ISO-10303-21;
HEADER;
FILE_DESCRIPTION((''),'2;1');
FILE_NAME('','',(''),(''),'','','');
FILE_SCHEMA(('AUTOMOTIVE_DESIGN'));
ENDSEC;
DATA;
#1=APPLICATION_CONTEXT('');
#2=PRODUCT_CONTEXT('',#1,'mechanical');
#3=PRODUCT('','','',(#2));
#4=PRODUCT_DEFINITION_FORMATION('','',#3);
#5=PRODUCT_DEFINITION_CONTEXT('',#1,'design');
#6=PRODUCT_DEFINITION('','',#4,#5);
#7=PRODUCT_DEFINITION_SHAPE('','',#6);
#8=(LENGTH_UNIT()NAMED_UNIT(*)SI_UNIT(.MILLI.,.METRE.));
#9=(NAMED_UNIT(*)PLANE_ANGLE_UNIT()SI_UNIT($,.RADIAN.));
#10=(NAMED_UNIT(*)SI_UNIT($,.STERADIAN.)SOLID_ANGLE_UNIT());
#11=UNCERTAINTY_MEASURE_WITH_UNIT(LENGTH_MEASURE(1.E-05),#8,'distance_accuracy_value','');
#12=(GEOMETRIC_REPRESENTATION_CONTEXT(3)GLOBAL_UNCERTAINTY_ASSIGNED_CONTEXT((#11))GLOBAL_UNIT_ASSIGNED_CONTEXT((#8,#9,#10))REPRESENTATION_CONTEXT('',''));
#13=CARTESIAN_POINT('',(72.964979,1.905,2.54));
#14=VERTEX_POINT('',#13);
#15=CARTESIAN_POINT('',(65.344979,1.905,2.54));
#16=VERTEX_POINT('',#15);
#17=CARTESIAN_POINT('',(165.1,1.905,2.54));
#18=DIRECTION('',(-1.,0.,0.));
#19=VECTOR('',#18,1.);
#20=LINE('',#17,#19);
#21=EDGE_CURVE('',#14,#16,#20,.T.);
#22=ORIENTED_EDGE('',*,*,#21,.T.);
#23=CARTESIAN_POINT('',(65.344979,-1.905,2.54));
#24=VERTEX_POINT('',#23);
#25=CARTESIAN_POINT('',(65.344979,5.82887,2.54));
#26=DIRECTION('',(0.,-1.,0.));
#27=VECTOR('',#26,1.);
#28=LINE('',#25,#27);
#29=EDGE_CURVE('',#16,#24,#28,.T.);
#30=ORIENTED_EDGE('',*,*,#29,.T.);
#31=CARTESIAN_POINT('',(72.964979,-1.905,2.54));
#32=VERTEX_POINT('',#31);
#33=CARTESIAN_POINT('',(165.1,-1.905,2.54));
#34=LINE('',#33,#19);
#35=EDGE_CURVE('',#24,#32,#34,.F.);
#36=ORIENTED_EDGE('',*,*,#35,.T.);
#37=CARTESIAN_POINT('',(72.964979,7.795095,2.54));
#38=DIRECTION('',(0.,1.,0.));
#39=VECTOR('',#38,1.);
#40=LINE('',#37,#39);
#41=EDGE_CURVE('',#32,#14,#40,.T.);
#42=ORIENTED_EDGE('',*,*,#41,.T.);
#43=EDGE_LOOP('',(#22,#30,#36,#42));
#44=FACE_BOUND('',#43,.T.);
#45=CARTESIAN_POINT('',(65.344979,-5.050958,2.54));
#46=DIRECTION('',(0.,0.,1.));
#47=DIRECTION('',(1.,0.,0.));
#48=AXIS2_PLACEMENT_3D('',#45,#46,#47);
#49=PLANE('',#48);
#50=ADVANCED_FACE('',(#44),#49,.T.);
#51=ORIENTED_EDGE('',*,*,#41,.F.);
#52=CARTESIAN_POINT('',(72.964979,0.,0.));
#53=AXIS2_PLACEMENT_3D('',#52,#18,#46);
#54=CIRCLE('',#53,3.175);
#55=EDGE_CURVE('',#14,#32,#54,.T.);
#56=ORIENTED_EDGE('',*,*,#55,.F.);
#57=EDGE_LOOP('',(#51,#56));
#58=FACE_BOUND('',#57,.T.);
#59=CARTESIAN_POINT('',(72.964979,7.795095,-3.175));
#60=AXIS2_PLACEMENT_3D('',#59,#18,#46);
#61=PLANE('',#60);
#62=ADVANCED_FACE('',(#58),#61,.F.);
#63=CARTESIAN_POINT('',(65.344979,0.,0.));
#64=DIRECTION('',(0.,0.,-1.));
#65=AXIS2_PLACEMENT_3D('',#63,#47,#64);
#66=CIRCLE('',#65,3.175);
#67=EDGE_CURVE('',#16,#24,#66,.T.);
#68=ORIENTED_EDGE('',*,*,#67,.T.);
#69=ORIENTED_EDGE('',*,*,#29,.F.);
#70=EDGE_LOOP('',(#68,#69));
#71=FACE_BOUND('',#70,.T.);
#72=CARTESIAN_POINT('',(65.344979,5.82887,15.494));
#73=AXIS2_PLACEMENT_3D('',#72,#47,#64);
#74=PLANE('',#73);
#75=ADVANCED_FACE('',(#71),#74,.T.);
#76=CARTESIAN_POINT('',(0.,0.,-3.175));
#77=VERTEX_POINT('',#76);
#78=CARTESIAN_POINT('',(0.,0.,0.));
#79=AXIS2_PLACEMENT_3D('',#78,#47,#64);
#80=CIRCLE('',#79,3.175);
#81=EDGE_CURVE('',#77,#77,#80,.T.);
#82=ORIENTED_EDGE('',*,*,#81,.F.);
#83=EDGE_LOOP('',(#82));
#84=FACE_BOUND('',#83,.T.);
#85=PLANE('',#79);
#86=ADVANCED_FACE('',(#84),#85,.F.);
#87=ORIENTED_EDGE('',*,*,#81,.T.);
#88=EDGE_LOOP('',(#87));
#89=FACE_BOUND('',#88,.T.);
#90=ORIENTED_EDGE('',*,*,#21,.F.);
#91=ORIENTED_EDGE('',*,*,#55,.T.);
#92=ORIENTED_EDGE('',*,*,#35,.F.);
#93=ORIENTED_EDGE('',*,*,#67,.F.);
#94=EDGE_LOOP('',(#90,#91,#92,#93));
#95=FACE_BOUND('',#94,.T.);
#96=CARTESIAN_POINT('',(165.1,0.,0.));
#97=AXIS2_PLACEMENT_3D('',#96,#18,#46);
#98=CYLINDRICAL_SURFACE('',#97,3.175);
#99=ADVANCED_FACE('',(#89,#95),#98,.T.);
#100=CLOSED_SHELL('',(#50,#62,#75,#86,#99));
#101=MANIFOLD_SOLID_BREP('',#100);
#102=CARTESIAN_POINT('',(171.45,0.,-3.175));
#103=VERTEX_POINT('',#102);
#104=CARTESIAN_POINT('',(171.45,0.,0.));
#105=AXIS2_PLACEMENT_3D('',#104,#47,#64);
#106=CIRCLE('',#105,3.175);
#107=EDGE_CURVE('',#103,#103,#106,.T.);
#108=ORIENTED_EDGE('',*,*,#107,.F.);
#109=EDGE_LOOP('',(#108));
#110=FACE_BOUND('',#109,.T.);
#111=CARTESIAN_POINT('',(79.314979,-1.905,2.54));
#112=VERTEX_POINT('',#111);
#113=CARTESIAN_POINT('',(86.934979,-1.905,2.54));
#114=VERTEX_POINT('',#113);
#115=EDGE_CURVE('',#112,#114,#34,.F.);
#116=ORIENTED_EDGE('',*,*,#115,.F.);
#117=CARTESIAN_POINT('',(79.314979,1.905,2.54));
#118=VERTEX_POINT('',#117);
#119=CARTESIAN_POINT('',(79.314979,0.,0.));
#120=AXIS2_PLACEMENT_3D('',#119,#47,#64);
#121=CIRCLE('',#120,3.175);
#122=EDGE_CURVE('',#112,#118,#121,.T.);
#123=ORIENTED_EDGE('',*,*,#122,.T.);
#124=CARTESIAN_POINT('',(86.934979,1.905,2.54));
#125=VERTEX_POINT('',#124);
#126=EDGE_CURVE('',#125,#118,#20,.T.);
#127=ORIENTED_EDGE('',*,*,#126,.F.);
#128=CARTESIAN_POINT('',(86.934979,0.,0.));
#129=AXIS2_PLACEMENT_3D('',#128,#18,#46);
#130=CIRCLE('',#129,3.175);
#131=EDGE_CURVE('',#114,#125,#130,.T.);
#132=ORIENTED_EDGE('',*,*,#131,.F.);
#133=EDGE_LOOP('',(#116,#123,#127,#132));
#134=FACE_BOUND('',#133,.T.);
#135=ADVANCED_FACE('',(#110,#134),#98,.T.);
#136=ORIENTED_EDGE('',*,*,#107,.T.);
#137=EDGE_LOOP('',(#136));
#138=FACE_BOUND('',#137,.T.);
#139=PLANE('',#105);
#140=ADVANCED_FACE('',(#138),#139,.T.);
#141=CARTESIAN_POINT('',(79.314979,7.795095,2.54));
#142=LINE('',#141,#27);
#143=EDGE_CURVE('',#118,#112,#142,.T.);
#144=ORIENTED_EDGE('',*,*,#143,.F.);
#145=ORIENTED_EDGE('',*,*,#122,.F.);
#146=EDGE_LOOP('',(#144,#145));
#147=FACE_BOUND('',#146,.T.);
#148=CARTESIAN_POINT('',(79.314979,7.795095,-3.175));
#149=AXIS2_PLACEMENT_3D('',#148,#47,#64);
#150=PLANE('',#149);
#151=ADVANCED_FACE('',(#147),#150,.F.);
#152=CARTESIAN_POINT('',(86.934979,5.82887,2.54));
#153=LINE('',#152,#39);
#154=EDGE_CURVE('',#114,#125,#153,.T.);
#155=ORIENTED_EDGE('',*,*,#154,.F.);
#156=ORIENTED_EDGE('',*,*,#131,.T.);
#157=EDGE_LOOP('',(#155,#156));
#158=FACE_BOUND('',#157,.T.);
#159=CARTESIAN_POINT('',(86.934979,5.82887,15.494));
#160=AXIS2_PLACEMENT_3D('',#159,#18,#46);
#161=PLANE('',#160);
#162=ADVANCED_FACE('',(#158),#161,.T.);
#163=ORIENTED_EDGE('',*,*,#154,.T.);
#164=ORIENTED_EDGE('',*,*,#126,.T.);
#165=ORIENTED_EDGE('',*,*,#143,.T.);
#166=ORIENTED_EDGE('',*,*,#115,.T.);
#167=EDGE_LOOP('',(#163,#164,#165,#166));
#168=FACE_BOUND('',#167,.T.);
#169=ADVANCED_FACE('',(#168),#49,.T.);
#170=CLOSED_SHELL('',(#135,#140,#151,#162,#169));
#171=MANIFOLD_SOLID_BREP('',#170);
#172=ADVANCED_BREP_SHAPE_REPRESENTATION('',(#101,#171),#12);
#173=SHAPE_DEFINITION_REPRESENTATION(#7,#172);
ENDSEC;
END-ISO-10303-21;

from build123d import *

# Parameters (mm, degrees)
SKETCH1_R               = 3.175
BOSS_EXTRUDE1_DEPTH     = 165.1
CUT_EXTRUDE1_DEPTH      = 166.161046406
CUT_EXTRUDE1_DEPTH_BACK = 166.161046406
SKETCH2_W               = 6.35
SKETCH2_H               = 14.816322072
SKETCH3_W               = 21.59
SKETCH3_H               = 10.879828445
CUT_EXTRUDE2_DEPTH      = 12.954
SKETCH4_R               = 3.175
BOSS_EXTRUDE2_DEPTH     = 6.35


with BuildPart() as part:
    # Sketch1 → Boss-Extrude1 (new body)
    with BuildSketch(Plane(origin=(0, 0, 0), x_dir=(0, 0, -1), z_dir=(1, 0, 0))):
        Circle(SKETCH1_R)
    extrude(amount=BOSS_EXTRUDE1_DEPTH)

    # Sketch2 → Cut-Extrude1 (cut, two sides: drawn at the far end of the back side and taken through both)
    with BuildSketch(Plane.XY.offset(-CUT_EXTRUDE1_DEPTH_BACK)):
        with Locations((76.139978718, 0.386933618)):
            Rectangle(SKETCH2_W, SKETCH2_H)
    extrude(amount=CUT_EXTRUDE1_DEPTH + CUT_EXTRUDE1_DEPTH_BACK, mode=Mode.SUBTRACT)


with BuildPart() as cut_extrude1_piece_1:
    # of the separate pieces the step leaves, piece 1, a body of its own (cut_extrude1_pieces)
    add(part.part.solids().sort_by_distance((79.314978718, 0, -3.175))[0])


with BuildPart() as cut_extrude1_piece_2:
    # of the separate pieces the step leaves, piece 2, a body of its own (cut_extrude1_pieces)
    add(part.part.solids().sort_by_distance((0, 0, -3.175))[0])


with BuildPart() as cut_extrude2_tool:
    # Sketch3 → Cut-Extrude2 (new body)
    with BuildSketch(Plane.XY.offset(2.54)):
        with Locations((76.139978718, 0.388956266)):
            Rectangle(SKETCH3_W, SKETCH3_H)
    extrude(amount=CUT_EXTRUDE2_DEPTH)


with BuildPart() as cut_extrude1_piece_1_1:
    add(cut_extrude1_piece_1.part)

    # Cut-Extrude2: cut by cut_extrude2_tool
    add(cut_extrude2_tool.part, mode=Mode.SUBTRACT)

    # Sketch4 → Boss-Extrude2 (add)
    with BuildSketch(Plane(origin=(165.1, 0, 0), x_dir=(0, 0, -1), z_dir=(1, 0, 0))):
        with Locations(Location((0, 0, 0), (0, 0, 143.130102354))):
            Circle(SKETCH4_R)
    extrude(amount=BOSS_EXTRUDE2_DEPTH)


with BuildPart() as cut_extrude1_piece_2_1:
    add(cut_extrude1_piece_2.part)

    # Cut-Extrude2: cut by cut_extrude2_tool
    add(cut_extrude2_tool.part, mode=Mode.SUBTRACT)


solid = Compound([cut_extrude1_piece_1_1.part, cut_extrude1_piece_2_1.part])
